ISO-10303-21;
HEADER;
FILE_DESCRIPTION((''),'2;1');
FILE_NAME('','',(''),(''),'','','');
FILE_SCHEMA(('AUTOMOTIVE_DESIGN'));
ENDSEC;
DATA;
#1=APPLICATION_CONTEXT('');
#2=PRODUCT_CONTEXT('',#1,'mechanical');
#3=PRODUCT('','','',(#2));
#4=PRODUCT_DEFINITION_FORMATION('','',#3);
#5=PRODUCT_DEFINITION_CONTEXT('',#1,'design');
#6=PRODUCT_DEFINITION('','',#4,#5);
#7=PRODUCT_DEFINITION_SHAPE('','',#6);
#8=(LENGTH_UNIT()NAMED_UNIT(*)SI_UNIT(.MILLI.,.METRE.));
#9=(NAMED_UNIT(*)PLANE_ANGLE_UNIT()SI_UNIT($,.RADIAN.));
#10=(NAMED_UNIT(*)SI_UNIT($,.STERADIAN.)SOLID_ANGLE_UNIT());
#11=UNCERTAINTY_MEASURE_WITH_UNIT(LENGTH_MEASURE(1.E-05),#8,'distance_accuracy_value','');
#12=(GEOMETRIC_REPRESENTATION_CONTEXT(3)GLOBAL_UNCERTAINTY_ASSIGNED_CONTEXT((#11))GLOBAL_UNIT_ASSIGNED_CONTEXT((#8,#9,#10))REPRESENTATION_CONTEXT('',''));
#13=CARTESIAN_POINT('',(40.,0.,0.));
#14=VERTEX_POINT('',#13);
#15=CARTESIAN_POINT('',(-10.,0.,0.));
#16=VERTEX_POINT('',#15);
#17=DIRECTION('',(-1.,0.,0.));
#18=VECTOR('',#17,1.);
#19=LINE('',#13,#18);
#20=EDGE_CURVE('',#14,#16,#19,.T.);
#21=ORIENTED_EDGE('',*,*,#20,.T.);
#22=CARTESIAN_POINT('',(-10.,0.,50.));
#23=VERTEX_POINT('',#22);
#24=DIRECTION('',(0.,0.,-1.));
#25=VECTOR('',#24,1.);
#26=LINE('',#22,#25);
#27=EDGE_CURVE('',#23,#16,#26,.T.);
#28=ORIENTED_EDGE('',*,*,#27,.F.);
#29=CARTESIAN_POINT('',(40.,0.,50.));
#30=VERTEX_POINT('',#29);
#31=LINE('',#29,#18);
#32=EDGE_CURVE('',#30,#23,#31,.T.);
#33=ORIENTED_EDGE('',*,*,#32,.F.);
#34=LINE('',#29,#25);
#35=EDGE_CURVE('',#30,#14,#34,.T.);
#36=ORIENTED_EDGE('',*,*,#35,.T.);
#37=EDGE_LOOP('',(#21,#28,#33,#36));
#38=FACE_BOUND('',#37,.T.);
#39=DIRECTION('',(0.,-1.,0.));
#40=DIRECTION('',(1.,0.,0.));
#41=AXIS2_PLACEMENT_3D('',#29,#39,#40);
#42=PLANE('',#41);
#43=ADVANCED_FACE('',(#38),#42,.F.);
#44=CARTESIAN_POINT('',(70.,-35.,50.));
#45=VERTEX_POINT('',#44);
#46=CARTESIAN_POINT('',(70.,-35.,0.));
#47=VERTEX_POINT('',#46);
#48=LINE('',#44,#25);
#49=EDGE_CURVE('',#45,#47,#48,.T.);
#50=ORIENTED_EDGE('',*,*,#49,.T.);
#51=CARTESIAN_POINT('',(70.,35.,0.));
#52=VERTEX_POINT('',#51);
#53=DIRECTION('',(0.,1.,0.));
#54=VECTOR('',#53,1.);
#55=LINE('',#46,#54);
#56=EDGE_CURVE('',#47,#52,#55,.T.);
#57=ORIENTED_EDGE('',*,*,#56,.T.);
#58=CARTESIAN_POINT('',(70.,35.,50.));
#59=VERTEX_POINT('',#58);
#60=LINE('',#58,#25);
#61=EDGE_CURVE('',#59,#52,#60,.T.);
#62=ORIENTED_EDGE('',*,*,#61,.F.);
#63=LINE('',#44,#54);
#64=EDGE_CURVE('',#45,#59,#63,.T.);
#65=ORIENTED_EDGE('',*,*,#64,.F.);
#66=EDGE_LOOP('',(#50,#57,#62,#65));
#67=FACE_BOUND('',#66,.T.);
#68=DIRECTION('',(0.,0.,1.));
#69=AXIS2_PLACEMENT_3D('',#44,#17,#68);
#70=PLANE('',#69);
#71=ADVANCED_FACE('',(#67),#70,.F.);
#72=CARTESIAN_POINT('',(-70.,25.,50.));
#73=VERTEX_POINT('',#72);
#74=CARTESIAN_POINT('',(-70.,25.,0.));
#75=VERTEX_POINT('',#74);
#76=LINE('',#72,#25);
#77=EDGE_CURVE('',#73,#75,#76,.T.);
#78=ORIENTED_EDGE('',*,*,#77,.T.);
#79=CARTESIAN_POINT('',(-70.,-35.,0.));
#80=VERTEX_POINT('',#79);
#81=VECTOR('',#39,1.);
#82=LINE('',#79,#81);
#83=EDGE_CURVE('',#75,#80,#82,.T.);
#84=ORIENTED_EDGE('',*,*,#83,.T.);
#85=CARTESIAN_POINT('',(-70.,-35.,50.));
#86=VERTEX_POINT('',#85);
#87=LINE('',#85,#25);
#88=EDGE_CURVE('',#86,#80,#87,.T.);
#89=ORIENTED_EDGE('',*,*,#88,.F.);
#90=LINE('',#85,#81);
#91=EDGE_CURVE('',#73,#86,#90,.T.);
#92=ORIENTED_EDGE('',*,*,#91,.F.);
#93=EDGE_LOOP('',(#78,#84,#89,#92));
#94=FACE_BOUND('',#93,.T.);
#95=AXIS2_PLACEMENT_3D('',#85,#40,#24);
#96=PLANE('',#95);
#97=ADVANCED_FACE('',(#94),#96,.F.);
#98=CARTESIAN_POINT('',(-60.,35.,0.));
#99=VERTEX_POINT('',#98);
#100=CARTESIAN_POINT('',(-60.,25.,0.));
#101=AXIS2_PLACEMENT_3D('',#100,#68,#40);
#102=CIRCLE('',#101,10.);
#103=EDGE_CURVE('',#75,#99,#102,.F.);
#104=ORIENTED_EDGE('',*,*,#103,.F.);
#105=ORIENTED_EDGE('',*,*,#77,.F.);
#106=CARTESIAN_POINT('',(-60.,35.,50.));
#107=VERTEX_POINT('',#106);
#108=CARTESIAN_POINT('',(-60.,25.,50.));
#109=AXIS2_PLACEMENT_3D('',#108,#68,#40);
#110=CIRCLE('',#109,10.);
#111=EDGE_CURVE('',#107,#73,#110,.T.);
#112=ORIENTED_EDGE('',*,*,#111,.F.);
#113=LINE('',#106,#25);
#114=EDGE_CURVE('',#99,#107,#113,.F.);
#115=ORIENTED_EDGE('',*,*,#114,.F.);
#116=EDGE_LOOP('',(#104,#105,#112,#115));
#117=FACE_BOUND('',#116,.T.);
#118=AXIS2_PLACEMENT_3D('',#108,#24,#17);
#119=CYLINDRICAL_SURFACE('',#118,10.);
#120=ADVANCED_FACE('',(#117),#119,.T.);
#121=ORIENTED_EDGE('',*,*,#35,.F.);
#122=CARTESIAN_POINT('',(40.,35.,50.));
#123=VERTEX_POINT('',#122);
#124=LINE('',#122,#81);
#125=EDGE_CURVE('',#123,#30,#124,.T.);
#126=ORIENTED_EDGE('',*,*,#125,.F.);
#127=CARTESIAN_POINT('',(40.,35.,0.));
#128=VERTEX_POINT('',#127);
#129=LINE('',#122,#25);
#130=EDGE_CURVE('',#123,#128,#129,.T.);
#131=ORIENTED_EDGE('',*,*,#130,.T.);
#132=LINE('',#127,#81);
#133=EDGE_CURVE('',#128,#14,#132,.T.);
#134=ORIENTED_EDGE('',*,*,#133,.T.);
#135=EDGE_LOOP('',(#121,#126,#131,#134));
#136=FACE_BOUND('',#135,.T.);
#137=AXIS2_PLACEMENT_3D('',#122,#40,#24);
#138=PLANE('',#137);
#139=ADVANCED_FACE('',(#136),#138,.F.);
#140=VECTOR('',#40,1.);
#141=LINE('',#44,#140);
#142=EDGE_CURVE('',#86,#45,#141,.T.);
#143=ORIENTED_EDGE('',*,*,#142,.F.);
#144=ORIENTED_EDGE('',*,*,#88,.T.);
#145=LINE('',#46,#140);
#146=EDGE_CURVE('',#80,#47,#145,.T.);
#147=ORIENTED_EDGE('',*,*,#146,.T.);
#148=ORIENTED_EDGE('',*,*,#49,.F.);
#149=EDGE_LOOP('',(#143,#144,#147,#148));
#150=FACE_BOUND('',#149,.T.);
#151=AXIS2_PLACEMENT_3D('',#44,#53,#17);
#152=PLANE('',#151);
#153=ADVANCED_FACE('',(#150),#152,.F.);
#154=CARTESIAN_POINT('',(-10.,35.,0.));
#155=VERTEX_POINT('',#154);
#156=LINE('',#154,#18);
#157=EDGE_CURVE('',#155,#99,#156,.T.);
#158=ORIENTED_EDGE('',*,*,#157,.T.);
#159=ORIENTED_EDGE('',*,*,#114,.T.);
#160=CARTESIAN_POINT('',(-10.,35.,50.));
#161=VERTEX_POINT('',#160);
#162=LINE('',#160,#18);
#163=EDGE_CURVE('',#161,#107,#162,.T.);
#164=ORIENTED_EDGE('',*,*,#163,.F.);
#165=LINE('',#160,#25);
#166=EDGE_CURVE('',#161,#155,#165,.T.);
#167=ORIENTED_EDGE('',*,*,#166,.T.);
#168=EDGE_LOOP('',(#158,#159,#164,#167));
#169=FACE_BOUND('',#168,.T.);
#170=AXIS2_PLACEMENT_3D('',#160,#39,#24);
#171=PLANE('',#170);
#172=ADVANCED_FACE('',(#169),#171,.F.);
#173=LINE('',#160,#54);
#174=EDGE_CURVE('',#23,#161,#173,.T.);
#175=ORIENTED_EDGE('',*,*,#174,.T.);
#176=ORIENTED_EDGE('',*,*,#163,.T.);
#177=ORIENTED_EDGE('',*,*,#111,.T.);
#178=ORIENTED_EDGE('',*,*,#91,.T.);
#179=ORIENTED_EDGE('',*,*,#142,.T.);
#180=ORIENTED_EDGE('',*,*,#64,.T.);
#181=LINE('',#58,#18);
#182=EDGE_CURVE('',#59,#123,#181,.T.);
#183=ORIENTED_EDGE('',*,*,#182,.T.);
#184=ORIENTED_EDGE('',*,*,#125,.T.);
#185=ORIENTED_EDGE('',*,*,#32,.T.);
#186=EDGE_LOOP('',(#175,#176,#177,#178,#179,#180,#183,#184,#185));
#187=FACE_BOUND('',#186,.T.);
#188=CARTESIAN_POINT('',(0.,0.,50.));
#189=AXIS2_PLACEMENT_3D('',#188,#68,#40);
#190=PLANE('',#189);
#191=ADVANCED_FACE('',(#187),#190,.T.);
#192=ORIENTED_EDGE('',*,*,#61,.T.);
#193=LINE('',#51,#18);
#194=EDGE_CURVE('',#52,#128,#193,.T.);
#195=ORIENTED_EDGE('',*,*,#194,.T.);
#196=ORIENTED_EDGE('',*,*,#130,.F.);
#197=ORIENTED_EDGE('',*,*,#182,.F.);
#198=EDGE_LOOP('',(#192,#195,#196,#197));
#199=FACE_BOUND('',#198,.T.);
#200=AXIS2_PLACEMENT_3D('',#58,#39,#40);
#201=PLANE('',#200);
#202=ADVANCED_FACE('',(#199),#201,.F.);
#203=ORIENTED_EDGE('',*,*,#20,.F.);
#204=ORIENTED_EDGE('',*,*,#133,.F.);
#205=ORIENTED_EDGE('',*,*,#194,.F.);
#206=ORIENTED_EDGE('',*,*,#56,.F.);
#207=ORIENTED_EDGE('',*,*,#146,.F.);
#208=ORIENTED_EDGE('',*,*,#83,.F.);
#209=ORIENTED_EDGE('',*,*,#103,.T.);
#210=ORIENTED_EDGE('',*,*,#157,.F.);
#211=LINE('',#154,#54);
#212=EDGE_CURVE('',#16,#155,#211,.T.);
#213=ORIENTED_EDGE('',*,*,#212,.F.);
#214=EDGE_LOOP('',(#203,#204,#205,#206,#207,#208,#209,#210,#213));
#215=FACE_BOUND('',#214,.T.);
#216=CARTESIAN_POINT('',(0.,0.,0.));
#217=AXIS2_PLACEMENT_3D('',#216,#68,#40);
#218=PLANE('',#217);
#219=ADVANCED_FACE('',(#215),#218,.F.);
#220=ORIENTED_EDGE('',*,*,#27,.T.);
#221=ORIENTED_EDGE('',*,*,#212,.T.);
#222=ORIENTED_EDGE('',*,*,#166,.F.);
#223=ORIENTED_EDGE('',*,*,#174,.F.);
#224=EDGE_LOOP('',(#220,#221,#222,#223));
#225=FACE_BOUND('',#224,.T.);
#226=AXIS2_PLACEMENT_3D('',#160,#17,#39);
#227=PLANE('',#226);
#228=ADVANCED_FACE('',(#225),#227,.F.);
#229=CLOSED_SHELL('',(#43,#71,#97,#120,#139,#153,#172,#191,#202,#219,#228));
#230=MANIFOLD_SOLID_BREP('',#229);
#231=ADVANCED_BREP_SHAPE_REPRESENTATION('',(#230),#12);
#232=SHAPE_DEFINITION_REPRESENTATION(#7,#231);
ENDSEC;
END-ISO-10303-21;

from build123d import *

# Parameters (mm, degrees)
RESSALTO_EXTRUS_O1_DEPTH = 50
FILETE1_R                = 10


with BuildPart() as part:
    # Esboço1 → Ressalto-extrusão1 (new body)
    with BuildSketch(Plane.XY):
        Polygon((-10, 35), (-70, 35), (-70, -35), (70, -35), (70, 35), (40, 35), (40, 0), (-10, 0), align=None)
    extrude(amount=RESSALTO_EXTRUS_O1_DEPTH)

    # Filete1
    filete1_edges = [part.edges().sort_by_distance(p)[0] for p in [
        (-70, 35, 25),
    ]]
    fillet(filete1_edges, radius=FILETE1_R)


solid = part.part
